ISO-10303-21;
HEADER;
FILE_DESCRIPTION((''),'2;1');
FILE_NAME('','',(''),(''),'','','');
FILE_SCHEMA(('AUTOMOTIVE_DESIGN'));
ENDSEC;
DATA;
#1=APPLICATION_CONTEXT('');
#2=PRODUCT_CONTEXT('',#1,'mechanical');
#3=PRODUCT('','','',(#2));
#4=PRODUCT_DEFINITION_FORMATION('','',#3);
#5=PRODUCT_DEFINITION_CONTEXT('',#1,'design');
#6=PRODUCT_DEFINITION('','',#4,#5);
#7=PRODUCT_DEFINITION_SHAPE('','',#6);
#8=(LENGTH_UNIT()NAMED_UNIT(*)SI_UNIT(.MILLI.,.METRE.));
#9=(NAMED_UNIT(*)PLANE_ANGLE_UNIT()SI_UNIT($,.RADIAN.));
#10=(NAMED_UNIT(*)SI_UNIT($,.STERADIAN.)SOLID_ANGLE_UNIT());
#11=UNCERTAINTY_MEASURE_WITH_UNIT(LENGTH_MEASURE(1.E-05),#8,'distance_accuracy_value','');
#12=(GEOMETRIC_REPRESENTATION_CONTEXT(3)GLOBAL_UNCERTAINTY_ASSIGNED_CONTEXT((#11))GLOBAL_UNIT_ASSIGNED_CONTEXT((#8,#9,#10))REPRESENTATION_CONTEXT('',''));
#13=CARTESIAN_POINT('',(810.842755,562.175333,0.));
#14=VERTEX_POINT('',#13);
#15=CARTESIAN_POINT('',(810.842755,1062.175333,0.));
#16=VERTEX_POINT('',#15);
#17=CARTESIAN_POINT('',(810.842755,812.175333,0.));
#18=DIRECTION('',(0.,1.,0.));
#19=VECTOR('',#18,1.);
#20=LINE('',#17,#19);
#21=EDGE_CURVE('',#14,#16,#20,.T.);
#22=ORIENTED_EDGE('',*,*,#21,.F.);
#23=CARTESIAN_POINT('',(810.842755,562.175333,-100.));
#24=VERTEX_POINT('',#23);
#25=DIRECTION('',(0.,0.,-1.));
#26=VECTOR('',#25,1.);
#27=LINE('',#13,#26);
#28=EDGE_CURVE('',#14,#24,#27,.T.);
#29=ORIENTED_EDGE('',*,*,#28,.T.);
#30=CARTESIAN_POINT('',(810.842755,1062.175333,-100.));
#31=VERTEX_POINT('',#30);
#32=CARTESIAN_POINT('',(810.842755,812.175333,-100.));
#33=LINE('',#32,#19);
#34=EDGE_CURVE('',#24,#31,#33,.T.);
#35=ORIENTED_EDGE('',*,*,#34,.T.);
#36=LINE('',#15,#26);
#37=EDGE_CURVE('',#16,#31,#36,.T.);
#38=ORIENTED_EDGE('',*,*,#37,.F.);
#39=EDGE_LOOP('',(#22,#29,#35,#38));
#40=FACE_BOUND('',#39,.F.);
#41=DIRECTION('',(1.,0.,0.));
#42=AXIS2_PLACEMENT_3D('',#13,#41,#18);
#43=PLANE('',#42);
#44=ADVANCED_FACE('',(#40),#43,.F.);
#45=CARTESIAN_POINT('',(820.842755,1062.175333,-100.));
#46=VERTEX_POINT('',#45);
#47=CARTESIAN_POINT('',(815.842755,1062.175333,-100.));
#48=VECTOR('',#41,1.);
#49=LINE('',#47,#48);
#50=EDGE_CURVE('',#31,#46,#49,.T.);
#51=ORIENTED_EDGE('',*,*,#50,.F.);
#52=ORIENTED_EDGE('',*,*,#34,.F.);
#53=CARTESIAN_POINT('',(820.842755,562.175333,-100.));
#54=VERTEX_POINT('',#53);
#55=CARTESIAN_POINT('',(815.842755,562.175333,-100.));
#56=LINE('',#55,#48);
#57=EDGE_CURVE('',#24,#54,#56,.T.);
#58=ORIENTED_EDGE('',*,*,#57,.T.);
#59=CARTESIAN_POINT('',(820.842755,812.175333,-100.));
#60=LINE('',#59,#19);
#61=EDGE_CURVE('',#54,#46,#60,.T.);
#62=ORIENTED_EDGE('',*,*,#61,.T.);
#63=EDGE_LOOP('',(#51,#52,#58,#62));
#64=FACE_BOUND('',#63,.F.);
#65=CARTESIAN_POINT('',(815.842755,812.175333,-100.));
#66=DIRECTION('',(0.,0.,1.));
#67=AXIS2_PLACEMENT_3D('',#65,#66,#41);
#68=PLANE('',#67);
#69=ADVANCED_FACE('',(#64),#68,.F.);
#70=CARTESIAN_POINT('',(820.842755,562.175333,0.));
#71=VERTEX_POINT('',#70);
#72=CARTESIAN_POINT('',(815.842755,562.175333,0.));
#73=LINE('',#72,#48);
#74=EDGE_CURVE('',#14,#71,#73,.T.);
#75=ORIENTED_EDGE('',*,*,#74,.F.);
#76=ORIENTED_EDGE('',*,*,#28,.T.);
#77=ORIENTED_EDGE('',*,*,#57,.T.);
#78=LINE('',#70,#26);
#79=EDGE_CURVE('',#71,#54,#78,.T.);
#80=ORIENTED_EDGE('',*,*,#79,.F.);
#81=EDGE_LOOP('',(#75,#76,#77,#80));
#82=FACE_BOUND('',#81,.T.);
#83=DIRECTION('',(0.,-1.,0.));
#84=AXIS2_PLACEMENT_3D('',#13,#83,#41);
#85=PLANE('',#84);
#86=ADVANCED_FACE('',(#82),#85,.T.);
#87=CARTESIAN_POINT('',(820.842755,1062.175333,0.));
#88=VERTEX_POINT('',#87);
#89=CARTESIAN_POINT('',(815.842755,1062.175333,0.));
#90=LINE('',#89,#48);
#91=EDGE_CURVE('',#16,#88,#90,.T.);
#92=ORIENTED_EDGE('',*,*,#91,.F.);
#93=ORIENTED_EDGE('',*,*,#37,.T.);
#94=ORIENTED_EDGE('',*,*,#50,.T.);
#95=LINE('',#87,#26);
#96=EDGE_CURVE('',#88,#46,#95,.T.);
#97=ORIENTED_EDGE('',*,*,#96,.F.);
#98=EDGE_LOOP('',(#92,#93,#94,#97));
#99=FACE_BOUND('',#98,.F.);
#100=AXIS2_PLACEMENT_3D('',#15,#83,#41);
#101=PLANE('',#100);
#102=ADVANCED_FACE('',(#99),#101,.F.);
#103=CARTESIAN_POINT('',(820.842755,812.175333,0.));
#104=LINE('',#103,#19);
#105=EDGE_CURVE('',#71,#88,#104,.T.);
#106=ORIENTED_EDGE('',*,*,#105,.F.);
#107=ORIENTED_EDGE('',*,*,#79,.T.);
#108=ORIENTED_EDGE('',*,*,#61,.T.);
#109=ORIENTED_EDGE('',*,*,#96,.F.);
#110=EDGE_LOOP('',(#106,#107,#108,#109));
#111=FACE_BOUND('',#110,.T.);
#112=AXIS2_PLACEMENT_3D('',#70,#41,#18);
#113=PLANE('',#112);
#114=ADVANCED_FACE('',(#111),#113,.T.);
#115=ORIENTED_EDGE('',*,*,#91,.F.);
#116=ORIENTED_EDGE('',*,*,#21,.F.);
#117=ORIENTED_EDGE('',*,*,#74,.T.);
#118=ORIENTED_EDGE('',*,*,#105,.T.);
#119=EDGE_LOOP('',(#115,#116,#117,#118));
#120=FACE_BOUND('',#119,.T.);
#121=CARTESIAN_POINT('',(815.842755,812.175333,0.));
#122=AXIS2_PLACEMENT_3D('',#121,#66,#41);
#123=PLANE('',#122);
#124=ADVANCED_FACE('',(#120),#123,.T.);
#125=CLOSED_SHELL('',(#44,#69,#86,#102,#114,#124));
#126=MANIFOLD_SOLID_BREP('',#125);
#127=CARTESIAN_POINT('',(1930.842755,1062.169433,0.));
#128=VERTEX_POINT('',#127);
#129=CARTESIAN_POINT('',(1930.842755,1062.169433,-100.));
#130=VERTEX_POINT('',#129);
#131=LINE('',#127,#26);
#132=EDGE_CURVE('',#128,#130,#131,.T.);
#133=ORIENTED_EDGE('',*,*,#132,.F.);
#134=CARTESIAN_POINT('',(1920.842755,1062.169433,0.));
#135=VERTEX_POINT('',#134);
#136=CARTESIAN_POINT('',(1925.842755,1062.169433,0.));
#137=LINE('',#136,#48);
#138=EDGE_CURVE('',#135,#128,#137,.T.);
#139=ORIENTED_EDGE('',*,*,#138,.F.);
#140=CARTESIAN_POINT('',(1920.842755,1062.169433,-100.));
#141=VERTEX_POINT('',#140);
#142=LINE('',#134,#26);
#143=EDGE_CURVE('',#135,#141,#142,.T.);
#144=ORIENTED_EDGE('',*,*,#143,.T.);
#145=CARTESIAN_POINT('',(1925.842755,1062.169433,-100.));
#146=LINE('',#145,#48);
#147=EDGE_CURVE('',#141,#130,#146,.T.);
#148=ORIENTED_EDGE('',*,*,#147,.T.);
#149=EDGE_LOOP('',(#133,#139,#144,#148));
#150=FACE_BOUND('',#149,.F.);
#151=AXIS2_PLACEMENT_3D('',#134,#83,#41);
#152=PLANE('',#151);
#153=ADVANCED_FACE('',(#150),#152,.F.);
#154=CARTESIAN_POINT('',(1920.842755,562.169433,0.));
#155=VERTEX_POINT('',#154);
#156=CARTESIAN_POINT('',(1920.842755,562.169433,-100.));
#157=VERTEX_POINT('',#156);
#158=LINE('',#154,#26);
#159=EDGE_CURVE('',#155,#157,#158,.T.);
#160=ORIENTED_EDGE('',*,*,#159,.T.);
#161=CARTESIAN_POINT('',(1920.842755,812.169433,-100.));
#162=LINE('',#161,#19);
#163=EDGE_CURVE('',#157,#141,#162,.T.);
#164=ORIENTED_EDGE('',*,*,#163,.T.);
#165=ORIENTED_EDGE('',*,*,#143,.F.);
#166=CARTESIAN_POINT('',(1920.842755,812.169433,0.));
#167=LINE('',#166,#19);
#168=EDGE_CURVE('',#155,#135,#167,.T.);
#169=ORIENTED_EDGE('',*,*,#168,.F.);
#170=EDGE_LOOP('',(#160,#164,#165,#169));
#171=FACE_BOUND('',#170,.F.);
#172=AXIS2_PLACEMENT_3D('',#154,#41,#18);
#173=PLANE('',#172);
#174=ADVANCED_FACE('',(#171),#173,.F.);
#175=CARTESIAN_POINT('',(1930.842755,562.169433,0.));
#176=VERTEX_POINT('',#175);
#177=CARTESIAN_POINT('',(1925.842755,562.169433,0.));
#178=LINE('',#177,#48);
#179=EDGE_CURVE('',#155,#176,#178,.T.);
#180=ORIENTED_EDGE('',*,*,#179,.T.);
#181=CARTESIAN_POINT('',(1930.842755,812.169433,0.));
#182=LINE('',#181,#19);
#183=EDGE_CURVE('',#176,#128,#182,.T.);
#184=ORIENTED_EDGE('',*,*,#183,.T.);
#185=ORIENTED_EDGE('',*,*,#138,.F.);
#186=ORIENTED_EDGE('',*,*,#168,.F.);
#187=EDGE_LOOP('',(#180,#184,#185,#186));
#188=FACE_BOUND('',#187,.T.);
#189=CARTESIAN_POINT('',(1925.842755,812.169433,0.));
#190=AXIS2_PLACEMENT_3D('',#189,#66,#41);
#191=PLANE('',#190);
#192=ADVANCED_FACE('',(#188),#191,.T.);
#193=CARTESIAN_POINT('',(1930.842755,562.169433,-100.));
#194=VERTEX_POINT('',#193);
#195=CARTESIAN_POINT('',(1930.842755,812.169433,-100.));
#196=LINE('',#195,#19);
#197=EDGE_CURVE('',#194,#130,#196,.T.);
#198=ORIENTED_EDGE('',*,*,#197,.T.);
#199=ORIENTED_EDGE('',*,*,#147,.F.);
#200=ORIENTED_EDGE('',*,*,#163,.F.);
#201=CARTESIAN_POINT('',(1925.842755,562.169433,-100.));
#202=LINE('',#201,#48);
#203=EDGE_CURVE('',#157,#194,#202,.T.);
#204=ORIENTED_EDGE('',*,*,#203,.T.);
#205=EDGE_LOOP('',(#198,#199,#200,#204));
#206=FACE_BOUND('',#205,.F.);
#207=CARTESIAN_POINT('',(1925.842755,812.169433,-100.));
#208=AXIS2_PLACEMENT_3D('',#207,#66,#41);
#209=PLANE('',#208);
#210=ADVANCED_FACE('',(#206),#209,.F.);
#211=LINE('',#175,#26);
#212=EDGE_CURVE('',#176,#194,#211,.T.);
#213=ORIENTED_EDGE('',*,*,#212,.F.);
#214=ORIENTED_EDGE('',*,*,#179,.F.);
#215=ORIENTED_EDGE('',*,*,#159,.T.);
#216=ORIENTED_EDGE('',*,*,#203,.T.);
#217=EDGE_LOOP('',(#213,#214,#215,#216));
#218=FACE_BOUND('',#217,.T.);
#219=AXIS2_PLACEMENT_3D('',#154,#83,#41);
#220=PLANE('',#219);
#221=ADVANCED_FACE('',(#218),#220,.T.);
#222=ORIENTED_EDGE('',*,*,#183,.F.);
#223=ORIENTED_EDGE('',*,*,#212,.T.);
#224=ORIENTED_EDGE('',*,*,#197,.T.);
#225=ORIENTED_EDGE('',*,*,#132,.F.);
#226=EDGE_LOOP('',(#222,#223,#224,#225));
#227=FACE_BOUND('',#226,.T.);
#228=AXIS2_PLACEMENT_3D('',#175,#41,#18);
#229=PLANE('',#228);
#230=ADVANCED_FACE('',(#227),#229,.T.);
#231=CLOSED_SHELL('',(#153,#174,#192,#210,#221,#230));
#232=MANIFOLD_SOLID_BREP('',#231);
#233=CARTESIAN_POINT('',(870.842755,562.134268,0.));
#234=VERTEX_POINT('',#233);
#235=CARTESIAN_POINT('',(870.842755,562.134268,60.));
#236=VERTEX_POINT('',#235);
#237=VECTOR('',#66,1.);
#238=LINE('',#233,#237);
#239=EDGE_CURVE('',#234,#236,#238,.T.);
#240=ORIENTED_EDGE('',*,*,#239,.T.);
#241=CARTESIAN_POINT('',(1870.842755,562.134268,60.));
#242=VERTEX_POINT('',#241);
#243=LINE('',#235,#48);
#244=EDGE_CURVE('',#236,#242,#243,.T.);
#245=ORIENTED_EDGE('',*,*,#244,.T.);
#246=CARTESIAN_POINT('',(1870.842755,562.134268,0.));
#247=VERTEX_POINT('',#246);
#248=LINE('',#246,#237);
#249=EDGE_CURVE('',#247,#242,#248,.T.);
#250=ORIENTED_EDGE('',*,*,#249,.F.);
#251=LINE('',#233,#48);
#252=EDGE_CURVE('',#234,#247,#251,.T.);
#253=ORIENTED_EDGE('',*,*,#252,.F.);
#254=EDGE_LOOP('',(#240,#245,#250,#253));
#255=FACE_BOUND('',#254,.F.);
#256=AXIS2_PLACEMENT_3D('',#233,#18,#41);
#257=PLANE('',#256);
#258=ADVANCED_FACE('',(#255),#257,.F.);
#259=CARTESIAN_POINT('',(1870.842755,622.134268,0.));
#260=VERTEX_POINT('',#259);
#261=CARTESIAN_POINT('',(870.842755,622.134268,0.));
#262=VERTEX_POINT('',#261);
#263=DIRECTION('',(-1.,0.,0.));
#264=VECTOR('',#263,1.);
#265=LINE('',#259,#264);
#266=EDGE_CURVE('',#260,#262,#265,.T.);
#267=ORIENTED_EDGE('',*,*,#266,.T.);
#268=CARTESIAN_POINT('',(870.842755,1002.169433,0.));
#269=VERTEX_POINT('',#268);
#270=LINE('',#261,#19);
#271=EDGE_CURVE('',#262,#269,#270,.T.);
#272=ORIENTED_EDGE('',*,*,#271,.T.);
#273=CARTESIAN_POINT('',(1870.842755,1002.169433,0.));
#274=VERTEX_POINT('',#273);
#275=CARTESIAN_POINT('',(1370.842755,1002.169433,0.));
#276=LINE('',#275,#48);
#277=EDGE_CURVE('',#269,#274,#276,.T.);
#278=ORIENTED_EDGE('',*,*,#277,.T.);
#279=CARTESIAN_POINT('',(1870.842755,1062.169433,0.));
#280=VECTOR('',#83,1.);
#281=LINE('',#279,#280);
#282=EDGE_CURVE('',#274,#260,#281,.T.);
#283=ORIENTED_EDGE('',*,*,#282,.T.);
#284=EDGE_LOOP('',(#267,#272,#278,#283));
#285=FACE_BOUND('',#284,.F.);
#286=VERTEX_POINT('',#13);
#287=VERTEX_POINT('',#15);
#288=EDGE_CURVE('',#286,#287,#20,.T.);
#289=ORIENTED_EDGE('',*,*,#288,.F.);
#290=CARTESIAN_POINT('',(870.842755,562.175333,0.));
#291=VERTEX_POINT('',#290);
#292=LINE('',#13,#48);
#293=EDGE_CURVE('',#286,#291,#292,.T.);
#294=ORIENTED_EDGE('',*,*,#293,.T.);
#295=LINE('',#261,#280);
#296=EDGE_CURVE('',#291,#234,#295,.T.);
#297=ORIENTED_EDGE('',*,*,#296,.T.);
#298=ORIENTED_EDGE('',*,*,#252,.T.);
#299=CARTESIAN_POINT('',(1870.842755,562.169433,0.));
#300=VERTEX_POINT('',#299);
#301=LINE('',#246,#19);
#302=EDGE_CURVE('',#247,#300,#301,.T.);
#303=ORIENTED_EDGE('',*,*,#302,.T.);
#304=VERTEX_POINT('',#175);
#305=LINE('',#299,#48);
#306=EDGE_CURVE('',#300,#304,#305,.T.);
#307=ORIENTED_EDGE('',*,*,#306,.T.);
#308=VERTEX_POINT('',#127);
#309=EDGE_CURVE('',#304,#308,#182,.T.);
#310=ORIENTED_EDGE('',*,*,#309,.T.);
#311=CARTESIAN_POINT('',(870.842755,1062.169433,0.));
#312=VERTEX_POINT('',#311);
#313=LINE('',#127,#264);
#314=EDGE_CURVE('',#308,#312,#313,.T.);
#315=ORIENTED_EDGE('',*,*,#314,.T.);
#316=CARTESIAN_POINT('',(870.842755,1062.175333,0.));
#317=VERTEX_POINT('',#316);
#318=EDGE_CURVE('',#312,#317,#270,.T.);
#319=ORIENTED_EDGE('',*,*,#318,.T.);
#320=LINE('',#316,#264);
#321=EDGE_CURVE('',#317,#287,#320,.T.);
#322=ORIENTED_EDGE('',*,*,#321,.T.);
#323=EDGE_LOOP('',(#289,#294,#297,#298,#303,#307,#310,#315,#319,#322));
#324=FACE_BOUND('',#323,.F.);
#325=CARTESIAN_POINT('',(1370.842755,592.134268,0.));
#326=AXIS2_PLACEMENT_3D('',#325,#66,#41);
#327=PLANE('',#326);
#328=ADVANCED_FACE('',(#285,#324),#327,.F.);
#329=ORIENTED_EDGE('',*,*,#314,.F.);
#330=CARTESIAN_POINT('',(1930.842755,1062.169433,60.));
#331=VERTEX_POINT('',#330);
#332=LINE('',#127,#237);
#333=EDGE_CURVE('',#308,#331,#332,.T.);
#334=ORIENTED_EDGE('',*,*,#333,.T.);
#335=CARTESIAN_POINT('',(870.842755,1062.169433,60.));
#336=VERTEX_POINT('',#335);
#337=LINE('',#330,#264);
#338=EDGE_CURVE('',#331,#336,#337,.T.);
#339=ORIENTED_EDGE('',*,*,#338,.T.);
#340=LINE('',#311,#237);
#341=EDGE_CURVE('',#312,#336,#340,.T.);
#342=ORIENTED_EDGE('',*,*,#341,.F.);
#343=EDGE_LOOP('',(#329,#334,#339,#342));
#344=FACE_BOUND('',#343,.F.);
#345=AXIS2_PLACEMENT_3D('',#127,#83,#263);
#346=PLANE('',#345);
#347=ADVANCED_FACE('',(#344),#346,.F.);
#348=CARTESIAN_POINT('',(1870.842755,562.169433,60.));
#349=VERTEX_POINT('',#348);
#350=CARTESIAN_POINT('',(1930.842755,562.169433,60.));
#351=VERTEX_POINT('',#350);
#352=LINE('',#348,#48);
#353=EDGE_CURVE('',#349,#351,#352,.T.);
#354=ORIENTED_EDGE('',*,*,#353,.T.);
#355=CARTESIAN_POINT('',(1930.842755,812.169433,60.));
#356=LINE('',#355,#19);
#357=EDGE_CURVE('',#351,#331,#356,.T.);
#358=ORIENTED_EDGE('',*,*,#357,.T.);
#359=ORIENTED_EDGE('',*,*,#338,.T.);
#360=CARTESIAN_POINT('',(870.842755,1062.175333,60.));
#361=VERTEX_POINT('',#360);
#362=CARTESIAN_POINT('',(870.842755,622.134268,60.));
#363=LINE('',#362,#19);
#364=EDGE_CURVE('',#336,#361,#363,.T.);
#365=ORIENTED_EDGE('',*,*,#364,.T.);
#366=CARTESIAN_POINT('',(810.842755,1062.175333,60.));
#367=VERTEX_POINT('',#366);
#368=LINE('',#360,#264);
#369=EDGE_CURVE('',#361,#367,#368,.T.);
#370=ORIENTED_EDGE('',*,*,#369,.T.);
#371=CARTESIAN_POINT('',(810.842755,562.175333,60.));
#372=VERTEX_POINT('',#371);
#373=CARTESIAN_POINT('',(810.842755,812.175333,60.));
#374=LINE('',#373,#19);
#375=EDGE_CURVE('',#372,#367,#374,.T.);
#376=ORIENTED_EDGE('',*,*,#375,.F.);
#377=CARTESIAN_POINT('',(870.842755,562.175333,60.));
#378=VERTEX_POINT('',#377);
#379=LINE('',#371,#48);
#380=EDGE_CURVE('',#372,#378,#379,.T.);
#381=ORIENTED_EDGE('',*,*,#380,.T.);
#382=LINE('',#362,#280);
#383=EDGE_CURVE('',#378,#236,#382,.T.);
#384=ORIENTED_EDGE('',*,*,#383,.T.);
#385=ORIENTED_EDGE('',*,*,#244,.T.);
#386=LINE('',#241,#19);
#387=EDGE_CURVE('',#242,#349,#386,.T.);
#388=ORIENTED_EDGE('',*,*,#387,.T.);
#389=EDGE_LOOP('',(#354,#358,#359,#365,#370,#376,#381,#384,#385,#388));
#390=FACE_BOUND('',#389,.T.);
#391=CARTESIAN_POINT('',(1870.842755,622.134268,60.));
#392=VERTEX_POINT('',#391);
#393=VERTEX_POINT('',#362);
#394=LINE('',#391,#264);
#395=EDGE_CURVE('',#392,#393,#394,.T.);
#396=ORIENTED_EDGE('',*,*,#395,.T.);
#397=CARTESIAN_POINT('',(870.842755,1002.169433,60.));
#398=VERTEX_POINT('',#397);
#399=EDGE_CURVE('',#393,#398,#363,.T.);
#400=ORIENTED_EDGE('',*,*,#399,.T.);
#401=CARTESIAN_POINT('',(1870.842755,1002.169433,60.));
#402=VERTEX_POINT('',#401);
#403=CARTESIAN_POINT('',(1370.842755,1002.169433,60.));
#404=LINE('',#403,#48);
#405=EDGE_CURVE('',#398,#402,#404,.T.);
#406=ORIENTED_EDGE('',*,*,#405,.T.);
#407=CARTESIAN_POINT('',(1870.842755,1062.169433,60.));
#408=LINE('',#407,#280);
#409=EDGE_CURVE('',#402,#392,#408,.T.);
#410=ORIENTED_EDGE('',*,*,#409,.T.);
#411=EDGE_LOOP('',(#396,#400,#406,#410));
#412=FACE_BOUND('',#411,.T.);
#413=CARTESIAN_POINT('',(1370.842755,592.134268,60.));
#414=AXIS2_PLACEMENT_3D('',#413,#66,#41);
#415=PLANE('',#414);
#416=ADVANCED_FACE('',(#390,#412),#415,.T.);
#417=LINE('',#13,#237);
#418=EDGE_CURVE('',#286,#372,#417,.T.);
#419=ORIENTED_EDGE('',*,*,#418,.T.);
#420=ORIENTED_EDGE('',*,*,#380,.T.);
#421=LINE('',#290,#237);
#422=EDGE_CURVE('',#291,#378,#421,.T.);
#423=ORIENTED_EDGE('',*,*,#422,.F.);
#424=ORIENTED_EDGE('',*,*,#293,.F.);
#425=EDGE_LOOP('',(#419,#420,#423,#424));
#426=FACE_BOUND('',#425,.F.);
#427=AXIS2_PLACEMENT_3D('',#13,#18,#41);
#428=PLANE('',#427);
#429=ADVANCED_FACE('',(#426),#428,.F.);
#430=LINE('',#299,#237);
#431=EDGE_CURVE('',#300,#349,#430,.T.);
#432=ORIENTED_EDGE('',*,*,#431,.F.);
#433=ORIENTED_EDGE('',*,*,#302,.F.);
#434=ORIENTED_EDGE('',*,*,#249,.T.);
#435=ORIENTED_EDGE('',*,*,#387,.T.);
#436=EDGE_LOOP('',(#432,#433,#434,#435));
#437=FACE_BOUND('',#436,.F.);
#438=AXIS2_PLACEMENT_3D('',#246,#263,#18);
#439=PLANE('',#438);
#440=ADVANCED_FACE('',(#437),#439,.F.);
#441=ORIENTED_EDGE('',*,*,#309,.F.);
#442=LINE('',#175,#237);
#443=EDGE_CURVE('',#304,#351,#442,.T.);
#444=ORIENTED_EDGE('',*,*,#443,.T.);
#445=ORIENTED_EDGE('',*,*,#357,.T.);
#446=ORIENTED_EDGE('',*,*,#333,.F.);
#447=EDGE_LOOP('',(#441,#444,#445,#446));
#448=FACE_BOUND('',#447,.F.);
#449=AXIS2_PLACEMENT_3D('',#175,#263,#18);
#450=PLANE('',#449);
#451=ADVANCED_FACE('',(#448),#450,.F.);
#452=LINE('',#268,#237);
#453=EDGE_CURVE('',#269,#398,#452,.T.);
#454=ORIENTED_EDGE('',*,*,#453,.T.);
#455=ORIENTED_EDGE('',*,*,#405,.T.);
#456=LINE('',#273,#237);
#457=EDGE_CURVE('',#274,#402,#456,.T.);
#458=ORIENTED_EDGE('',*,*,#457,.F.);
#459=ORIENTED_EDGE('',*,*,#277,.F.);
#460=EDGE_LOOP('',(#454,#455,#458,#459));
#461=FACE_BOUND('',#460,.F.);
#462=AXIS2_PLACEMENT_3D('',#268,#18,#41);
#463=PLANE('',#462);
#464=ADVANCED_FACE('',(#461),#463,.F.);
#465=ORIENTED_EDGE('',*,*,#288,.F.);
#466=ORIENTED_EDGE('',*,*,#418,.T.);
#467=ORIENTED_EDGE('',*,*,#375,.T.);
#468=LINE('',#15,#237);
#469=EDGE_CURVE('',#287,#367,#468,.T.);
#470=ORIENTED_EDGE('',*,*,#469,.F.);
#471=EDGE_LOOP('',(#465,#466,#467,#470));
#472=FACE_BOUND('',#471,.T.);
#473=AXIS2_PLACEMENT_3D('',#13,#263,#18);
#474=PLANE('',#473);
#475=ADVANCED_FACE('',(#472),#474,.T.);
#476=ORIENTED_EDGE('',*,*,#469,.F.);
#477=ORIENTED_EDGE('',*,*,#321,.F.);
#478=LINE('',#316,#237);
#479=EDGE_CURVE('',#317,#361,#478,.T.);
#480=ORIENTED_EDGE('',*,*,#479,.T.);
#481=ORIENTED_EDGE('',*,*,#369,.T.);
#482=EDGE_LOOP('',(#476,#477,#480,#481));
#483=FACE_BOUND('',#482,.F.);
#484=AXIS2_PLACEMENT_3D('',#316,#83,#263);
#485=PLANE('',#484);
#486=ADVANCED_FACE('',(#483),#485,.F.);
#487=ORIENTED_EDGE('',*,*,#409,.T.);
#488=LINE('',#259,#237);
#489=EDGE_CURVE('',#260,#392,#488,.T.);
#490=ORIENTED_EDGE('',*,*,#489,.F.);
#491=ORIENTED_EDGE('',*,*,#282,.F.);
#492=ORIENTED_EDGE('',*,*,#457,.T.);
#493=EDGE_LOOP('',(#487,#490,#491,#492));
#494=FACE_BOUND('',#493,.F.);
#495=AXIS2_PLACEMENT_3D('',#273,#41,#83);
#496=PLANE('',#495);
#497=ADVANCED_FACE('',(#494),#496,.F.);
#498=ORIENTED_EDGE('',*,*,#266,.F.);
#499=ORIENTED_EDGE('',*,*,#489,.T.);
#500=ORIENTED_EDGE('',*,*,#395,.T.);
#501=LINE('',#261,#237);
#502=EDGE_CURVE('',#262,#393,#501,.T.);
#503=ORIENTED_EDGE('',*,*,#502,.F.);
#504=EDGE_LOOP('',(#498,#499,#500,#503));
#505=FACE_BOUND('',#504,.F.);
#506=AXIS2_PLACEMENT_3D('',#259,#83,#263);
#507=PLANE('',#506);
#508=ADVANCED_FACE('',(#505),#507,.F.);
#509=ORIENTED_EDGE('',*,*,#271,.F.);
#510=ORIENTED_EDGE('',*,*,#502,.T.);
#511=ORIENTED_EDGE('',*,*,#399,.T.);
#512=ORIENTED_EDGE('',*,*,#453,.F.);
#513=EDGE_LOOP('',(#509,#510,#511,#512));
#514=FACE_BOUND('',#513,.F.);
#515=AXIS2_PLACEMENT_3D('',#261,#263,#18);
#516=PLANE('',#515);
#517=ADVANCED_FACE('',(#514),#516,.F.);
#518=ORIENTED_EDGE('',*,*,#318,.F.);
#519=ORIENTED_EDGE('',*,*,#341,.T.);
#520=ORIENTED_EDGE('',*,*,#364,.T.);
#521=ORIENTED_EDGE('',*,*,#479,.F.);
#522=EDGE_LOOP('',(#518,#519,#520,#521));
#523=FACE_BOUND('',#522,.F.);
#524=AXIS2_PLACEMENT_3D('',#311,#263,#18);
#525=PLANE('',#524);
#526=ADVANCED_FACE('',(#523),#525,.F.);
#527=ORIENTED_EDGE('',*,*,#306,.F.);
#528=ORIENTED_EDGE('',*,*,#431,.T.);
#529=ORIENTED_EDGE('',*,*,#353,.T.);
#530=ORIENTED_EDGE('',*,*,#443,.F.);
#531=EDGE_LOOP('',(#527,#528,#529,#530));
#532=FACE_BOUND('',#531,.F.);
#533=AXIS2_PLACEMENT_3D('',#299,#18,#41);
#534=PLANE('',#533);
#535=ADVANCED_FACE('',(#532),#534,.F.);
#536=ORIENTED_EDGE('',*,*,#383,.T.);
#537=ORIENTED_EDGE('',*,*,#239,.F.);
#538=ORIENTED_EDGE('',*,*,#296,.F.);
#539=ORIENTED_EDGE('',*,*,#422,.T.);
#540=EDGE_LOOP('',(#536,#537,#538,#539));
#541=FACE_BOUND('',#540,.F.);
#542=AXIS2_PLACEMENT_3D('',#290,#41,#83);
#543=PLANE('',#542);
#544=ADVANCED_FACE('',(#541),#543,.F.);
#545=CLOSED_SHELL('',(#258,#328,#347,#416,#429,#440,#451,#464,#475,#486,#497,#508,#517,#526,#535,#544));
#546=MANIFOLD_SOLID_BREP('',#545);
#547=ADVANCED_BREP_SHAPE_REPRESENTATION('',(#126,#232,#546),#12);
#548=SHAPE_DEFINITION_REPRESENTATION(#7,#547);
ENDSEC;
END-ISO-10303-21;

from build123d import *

# Parameters (mm, degrees)
F0_W     = 1000
F0_H     = 60
F0_W_2   = 10
F0_H_2   = 500
F1_DEPTH = 60
F2_DEPTH = 100


with BuildPart() as f1:
    # F0 (on Top) → F1 (new body)
    with BuildSketch(Plane.XY):
        Polygon((1870.842755, 622.134268), (870.842755, 622.134268), (870.842755, 562.175333), (870.842755, 562.134268), (1870.842755, 562.134268), (1870.842755, 562.169433), align=None)
        Polygon((870.842755, 562.175333), (870.842755, 622.134268), (870.842755, 1002.169433), (870.842755, 1062.169433), (870.842755, 1062.175333), (820.842755, 1062.175333), (820.842755, 562.175333), align=None)
        Polygon((1870.842755, 1002.169433), (1870.842755, 622.134268), (1870.842755, 562.169433), (1920.842755, 562.169433), (1920.842755, 1062.169433), (1870.842755, 1062.169433), align=None)
        with Locations((1370.842755, 1032.169433)):
            Rectangle(F0_W, F0_H)
        with Locations((815.842755, 812.175333)):
            Rectangle(F0_W_2, F0_H_2)
        with Locations((1925.842755, 812.169433)):
            Rectangle(F0_W_2, F0_H_2)
    extrude(amount=F1_DEPTH)


with BuildPart() as f2:
    # F0 (on Top) → F2 (new body)
    with BuildSketch(Plane.XY):
        with Locations((1925.842755, 812.169433)):
            Rectangle(F0_W_2, F0_H_2)
        with Locations((815.842755, 812.175333)):
            Rectangle(F0_W_2, F0_H_2)
    extrude(amount=-F2_DEPTH)


solid = Compound([f1.part, f2.part])
